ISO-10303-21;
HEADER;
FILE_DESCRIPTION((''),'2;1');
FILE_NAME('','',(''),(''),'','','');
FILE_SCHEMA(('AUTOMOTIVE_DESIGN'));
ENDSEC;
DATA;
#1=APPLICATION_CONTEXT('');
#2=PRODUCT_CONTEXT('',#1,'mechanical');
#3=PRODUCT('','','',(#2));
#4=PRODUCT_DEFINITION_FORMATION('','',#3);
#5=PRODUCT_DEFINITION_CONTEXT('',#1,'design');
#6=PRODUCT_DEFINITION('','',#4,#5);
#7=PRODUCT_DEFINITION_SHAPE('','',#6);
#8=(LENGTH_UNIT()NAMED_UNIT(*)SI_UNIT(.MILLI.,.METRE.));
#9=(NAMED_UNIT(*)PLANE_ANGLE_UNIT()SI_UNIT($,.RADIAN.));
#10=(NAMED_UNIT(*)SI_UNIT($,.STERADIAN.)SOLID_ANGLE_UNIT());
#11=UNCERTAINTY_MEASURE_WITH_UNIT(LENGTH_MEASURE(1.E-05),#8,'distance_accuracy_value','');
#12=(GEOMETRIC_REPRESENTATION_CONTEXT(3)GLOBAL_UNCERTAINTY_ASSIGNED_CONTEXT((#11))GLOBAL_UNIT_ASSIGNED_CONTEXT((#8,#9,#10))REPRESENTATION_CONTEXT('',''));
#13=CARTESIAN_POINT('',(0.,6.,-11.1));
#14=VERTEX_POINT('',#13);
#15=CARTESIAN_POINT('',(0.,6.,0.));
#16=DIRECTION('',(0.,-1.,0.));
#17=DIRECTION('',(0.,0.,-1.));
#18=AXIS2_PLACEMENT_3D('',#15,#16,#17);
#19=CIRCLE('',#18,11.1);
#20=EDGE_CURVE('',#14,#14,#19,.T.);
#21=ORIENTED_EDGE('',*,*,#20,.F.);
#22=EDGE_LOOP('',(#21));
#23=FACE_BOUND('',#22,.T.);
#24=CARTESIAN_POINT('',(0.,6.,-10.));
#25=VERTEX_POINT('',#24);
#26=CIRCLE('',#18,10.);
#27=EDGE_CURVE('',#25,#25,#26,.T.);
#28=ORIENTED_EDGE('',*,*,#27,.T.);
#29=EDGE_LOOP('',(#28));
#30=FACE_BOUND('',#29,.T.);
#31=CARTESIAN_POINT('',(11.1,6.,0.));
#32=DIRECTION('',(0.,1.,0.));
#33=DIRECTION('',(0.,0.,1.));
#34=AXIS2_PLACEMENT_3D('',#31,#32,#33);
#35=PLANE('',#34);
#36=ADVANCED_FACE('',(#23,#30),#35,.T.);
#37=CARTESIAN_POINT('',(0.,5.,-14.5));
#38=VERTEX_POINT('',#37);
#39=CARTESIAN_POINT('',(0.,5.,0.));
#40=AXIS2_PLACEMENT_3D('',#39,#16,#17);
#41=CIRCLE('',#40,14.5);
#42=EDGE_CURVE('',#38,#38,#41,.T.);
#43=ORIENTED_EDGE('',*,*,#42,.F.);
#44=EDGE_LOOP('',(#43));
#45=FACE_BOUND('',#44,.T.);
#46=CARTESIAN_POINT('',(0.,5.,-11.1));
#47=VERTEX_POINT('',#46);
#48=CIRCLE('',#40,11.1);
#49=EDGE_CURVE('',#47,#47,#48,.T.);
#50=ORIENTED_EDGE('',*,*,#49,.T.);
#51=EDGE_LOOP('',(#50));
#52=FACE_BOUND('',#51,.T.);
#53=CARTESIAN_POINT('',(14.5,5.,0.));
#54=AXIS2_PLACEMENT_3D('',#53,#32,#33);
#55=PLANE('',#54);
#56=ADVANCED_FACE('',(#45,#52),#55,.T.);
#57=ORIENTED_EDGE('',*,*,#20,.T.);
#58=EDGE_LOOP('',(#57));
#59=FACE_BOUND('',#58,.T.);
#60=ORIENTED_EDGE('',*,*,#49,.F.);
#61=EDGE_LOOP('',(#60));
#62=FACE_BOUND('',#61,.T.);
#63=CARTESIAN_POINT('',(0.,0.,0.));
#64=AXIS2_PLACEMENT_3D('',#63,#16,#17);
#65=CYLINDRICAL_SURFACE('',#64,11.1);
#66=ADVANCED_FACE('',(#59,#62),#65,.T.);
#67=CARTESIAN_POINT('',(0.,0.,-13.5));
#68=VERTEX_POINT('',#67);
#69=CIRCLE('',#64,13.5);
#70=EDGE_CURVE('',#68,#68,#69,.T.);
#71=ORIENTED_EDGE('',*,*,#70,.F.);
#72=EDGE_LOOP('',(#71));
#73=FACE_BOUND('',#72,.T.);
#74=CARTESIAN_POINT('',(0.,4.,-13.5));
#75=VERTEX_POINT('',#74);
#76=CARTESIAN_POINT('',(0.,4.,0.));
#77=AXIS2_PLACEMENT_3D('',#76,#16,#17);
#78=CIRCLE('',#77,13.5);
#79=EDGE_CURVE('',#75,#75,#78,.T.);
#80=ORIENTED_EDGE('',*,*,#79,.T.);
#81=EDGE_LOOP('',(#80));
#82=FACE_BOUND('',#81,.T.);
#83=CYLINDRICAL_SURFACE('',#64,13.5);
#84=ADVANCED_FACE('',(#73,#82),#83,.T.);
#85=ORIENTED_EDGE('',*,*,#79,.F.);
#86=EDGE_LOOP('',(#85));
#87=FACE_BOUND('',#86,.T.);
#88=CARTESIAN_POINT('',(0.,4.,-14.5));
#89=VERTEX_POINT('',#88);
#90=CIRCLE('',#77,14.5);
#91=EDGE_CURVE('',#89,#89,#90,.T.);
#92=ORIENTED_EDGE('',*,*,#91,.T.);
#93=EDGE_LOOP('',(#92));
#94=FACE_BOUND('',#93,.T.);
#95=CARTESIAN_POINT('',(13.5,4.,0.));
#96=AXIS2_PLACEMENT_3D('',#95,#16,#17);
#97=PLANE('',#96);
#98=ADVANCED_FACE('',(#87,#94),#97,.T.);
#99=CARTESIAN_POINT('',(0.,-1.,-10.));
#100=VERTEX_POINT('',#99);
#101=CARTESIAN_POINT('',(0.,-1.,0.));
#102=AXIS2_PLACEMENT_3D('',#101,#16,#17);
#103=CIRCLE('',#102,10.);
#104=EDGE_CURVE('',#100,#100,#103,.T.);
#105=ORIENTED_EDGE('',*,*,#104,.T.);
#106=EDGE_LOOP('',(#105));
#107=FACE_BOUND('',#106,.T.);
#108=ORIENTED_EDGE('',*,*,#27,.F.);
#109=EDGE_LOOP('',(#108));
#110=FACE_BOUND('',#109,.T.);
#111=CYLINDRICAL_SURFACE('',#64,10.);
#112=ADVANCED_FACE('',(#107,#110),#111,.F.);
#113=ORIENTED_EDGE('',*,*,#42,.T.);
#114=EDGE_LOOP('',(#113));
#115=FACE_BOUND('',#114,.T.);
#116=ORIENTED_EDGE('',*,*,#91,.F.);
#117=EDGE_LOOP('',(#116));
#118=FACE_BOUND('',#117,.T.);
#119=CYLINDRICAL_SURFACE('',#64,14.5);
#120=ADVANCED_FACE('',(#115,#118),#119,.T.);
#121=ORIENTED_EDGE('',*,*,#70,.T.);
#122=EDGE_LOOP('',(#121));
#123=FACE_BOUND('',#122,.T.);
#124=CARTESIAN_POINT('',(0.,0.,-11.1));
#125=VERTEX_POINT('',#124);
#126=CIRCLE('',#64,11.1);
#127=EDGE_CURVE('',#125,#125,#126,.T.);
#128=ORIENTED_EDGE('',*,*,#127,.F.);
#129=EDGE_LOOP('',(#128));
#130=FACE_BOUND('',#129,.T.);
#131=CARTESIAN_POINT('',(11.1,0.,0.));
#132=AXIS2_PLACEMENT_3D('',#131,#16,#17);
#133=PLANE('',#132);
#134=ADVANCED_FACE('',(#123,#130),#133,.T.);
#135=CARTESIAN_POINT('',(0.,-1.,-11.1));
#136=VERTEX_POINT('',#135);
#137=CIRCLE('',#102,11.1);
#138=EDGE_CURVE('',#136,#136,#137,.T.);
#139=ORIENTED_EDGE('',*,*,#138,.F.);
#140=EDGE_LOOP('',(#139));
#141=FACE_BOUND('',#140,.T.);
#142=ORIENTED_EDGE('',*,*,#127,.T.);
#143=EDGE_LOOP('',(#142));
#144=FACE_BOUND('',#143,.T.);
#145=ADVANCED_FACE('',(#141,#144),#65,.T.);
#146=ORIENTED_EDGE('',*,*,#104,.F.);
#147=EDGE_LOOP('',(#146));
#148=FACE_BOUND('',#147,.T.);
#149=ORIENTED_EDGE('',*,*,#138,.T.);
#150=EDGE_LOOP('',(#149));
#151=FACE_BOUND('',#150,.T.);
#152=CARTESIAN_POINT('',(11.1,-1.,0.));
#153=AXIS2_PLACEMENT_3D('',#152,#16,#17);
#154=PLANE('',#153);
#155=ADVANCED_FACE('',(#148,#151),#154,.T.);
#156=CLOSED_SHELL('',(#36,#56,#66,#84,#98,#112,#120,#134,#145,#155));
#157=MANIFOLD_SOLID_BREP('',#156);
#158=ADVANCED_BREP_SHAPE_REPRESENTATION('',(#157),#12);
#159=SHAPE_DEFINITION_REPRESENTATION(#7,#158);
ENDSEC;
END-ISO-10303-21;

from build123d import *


with BuildPart() as part:
    # 草图1 → 旋转1 (revolve)
    with BuildSketch(Plane.XY, mode=Mode.PRIVATE) as revolve_1_sk:
        Polygon((11.1, 0), (13.5, 0), (13.5, 4), (14.5, 4), (14.5, 5), (11.1, 5), (11.1, 6), (10, 6), (10, -1), (11.1, -1), align=None)
    revolve(revolve_1_sk.sketch.rotate(Axis((0, 0, 0), (0, 1, 0)), 90), axis=Axis((0, 0, 0), (0, 1, 0)))


solid = part.part
